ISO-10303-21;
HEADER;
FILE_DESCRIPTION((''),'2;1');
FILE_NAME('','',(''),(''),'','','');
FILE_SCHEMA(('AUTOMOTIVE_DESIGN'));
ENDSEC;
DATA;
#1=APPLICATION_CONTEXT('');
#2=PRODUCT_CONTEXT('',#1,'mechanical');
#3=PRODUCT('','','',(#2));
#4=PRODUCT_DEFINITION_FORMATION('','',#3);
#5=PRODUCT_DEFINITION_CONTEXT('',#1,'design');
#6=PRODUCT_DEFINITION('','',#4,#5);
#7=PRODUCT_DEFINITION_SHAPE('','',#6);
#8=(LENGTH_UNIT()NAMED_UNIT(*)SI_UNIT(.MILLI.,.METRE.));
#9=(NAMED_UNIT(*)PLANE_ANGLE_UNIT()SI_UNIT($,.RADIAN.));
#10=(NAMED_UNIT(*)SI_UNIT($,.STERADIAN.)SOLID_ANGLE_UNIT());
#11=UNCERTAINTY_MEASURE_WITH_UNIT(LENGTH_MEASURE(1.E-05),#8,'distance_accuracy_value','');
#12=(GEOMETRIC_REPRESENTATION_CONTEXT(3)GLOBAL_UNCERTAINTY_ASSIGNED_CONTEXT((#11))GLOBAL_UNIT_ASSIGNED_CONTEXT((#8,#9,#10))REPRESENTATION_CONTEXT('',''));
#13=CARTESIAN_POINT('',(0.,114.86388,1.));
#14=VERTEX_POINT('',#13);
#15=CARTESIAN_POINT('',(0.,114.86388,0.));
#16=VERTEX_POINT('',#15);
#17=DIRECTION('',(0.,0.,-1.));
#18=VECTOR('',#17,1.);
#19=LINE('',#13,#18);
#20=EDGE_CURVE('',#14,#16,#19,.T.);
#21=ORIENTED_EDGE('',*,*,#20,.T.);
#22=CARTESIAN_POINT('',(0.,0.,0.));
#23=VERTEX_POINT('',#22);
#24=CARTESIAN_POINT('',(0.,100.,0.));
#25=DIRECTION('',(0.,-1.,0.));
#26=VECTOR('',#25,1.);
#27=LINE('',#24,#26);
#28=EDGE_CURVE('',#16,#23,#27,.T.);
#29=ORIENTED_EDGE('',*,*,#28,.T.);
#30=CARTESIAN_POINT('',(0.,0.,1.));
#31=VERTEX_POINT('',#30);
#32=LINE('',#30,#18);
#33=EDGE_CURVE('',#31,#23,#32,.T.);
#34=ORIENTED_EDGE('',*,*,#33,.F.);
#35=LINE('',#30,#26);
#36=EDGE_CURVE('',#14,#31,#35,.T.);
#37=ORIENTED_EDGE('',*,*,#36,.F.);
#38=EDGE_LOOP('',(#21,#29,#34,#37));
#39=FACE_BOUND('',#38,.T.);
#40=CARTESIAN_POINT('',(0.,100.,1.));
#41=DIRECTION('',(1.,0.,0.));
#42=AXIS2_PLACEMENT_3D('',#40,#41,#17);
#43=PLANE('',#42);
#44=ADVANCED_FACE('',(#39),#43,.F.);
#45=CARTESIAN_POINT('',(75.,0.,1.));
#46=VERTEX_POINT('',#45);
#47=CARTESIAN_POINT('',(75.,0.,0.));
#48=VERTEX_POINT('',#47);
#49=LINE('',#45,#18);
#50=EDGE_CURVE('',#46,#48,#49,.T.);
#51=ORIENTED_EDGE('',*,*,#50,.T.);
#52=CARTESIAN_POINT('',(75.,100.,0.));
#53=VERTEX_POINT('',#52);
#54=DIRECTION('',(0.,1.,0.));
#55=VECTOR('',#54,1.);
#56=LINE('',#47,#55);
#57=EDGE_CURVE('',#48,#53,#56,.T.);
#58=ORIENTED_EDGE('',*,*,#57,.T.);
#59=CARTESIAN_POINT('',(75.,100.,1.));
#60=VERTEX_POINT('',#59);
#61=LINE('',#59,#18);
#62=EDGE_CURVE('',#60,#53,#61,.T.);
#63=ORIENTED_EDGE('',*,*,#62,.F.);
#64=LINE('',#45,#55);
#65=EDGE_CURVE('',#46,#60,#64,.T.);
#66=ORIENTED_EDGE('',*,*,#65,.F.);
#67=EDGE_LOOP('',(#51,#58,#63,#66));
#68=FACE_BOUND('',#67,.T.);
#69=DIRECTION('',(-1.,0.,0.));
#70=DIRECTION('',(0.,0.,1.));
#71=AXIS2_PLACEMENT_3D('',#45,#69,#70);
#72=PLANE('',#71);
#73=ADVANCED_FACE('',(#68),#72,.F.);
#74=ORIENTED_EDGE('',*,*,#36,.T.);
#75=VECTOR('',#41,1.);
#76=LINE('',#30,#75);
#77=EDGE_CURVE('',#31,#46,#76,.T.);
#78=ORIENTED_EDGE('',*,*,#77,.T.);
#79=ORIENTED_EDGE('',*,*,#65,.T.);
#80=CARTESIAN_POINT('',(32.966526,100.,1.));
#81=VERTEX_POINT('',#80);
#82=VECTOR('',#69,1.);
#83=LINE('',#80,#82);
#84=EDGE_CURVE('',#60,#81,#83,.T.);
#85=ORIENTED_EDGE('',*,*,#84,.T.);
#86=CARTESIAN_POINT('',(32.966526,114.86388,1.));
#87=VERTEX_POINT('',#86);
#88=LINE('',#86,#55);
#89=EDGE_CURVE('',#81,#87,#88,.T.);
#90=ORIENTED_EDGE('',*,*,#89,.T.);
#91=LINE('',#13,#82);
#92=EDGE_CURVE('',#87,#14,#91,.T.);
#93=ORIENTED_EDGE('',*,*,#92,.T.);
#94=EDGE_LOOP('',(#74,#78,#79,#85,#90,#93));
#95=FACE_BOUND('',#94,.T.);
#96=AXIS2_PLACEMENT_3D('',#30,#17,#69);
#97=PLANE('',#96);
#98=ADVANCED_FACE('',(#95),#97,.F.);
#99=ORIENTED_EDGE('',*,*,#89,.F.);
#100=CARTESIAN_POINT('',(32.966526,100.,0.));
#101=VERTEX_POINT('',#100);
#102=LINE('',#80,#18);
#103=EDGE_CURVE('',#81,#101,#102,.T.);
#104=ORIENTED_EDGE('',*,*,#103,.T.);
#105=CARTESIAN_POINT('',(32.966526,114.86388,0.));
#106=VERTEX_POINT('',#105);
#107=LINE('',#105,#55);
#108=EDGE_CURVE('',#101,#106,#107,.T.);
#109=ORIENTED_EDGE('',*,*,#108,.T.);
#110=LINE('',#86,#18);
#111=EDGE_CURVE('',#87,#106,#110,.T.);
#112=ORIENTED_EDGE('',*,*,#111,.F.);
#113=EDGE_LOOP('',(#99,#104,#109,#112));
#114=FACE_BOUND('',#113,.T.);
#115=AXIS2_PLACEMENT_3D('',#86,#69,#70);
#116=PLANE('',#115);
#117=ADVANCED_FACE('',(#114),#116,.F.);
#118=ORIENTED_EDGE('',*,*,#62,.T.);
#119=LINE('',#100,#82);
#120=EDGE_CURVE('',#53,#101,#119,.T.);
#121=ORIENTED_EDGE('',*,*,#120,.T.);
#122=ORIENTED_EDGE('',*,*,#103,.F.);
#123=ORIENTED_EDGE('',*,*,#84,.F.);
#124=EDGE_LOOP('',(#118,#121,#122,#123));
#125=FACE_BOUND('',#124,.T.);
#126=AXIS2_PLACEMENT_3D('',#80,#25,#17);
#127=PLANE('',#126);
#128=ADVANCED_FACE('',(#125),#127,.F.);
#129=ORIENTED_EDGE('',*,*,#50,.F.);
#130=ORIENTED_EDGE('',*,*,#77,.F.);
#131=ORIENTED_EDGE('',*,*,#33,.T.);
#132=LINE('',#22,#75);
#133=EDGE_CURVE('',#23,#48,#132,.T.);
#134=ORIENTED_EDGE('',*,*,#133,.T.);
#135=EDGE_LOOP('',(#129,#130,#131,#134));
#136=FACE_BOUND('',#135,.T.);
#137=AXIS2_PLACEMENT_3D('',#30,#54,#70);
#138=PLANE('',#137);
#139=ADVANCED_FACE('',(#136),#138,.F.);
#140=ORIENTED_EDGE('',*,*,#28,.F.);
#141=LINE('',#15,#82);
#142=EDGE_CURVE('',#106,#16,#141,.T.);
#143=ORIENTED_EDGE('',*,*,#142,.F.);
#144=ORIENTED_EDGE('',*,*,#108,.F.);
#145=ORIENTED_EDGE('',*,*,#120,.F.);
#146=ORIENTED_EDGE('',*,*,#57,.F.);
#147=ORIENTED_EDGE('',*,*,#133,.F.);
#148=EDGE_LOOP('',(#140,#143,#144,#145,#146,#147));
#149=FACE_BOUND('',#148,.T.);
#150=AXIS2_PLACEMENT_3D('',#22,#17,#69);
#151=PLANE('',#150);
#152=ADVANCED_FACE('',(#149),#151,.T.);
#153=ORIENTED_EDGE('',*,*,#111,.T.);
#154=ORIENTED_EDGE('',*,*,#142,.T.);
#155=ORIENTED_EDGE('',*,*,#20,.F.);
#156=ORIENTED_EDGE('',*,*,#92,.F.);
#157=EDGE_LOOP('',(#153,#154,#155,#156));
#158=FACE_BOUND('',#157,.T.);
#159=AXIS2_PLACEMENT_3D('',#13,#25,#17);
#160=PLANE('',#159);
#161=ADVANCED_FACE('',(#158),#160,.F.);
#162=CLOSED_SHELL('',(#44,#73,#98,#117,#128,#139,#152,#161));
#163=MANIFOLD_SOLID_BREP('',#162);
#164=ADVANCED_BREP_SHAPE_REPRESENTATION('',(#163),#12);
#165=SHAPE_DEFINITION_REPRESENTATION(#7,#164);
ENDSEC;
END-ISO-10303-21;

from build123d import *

# Parameters (mm, degrees)
BOSS_EXTRUDE1_DEPTH = 1


with BuildPart() as part:
    # Sketch1 → Boss-Extrude1 (new body)
    with BuildSketch(Plane.XY):
        Polygon((0, 100), (0, 114.863880064), (32.966525573, 114.863880064), (32.966525573, 100), (75, 100), (75, 0), (0, 0), align=None)
    extrude(amount=BOSS_EXTRUDE1_DEPTH)


solid = part.part
